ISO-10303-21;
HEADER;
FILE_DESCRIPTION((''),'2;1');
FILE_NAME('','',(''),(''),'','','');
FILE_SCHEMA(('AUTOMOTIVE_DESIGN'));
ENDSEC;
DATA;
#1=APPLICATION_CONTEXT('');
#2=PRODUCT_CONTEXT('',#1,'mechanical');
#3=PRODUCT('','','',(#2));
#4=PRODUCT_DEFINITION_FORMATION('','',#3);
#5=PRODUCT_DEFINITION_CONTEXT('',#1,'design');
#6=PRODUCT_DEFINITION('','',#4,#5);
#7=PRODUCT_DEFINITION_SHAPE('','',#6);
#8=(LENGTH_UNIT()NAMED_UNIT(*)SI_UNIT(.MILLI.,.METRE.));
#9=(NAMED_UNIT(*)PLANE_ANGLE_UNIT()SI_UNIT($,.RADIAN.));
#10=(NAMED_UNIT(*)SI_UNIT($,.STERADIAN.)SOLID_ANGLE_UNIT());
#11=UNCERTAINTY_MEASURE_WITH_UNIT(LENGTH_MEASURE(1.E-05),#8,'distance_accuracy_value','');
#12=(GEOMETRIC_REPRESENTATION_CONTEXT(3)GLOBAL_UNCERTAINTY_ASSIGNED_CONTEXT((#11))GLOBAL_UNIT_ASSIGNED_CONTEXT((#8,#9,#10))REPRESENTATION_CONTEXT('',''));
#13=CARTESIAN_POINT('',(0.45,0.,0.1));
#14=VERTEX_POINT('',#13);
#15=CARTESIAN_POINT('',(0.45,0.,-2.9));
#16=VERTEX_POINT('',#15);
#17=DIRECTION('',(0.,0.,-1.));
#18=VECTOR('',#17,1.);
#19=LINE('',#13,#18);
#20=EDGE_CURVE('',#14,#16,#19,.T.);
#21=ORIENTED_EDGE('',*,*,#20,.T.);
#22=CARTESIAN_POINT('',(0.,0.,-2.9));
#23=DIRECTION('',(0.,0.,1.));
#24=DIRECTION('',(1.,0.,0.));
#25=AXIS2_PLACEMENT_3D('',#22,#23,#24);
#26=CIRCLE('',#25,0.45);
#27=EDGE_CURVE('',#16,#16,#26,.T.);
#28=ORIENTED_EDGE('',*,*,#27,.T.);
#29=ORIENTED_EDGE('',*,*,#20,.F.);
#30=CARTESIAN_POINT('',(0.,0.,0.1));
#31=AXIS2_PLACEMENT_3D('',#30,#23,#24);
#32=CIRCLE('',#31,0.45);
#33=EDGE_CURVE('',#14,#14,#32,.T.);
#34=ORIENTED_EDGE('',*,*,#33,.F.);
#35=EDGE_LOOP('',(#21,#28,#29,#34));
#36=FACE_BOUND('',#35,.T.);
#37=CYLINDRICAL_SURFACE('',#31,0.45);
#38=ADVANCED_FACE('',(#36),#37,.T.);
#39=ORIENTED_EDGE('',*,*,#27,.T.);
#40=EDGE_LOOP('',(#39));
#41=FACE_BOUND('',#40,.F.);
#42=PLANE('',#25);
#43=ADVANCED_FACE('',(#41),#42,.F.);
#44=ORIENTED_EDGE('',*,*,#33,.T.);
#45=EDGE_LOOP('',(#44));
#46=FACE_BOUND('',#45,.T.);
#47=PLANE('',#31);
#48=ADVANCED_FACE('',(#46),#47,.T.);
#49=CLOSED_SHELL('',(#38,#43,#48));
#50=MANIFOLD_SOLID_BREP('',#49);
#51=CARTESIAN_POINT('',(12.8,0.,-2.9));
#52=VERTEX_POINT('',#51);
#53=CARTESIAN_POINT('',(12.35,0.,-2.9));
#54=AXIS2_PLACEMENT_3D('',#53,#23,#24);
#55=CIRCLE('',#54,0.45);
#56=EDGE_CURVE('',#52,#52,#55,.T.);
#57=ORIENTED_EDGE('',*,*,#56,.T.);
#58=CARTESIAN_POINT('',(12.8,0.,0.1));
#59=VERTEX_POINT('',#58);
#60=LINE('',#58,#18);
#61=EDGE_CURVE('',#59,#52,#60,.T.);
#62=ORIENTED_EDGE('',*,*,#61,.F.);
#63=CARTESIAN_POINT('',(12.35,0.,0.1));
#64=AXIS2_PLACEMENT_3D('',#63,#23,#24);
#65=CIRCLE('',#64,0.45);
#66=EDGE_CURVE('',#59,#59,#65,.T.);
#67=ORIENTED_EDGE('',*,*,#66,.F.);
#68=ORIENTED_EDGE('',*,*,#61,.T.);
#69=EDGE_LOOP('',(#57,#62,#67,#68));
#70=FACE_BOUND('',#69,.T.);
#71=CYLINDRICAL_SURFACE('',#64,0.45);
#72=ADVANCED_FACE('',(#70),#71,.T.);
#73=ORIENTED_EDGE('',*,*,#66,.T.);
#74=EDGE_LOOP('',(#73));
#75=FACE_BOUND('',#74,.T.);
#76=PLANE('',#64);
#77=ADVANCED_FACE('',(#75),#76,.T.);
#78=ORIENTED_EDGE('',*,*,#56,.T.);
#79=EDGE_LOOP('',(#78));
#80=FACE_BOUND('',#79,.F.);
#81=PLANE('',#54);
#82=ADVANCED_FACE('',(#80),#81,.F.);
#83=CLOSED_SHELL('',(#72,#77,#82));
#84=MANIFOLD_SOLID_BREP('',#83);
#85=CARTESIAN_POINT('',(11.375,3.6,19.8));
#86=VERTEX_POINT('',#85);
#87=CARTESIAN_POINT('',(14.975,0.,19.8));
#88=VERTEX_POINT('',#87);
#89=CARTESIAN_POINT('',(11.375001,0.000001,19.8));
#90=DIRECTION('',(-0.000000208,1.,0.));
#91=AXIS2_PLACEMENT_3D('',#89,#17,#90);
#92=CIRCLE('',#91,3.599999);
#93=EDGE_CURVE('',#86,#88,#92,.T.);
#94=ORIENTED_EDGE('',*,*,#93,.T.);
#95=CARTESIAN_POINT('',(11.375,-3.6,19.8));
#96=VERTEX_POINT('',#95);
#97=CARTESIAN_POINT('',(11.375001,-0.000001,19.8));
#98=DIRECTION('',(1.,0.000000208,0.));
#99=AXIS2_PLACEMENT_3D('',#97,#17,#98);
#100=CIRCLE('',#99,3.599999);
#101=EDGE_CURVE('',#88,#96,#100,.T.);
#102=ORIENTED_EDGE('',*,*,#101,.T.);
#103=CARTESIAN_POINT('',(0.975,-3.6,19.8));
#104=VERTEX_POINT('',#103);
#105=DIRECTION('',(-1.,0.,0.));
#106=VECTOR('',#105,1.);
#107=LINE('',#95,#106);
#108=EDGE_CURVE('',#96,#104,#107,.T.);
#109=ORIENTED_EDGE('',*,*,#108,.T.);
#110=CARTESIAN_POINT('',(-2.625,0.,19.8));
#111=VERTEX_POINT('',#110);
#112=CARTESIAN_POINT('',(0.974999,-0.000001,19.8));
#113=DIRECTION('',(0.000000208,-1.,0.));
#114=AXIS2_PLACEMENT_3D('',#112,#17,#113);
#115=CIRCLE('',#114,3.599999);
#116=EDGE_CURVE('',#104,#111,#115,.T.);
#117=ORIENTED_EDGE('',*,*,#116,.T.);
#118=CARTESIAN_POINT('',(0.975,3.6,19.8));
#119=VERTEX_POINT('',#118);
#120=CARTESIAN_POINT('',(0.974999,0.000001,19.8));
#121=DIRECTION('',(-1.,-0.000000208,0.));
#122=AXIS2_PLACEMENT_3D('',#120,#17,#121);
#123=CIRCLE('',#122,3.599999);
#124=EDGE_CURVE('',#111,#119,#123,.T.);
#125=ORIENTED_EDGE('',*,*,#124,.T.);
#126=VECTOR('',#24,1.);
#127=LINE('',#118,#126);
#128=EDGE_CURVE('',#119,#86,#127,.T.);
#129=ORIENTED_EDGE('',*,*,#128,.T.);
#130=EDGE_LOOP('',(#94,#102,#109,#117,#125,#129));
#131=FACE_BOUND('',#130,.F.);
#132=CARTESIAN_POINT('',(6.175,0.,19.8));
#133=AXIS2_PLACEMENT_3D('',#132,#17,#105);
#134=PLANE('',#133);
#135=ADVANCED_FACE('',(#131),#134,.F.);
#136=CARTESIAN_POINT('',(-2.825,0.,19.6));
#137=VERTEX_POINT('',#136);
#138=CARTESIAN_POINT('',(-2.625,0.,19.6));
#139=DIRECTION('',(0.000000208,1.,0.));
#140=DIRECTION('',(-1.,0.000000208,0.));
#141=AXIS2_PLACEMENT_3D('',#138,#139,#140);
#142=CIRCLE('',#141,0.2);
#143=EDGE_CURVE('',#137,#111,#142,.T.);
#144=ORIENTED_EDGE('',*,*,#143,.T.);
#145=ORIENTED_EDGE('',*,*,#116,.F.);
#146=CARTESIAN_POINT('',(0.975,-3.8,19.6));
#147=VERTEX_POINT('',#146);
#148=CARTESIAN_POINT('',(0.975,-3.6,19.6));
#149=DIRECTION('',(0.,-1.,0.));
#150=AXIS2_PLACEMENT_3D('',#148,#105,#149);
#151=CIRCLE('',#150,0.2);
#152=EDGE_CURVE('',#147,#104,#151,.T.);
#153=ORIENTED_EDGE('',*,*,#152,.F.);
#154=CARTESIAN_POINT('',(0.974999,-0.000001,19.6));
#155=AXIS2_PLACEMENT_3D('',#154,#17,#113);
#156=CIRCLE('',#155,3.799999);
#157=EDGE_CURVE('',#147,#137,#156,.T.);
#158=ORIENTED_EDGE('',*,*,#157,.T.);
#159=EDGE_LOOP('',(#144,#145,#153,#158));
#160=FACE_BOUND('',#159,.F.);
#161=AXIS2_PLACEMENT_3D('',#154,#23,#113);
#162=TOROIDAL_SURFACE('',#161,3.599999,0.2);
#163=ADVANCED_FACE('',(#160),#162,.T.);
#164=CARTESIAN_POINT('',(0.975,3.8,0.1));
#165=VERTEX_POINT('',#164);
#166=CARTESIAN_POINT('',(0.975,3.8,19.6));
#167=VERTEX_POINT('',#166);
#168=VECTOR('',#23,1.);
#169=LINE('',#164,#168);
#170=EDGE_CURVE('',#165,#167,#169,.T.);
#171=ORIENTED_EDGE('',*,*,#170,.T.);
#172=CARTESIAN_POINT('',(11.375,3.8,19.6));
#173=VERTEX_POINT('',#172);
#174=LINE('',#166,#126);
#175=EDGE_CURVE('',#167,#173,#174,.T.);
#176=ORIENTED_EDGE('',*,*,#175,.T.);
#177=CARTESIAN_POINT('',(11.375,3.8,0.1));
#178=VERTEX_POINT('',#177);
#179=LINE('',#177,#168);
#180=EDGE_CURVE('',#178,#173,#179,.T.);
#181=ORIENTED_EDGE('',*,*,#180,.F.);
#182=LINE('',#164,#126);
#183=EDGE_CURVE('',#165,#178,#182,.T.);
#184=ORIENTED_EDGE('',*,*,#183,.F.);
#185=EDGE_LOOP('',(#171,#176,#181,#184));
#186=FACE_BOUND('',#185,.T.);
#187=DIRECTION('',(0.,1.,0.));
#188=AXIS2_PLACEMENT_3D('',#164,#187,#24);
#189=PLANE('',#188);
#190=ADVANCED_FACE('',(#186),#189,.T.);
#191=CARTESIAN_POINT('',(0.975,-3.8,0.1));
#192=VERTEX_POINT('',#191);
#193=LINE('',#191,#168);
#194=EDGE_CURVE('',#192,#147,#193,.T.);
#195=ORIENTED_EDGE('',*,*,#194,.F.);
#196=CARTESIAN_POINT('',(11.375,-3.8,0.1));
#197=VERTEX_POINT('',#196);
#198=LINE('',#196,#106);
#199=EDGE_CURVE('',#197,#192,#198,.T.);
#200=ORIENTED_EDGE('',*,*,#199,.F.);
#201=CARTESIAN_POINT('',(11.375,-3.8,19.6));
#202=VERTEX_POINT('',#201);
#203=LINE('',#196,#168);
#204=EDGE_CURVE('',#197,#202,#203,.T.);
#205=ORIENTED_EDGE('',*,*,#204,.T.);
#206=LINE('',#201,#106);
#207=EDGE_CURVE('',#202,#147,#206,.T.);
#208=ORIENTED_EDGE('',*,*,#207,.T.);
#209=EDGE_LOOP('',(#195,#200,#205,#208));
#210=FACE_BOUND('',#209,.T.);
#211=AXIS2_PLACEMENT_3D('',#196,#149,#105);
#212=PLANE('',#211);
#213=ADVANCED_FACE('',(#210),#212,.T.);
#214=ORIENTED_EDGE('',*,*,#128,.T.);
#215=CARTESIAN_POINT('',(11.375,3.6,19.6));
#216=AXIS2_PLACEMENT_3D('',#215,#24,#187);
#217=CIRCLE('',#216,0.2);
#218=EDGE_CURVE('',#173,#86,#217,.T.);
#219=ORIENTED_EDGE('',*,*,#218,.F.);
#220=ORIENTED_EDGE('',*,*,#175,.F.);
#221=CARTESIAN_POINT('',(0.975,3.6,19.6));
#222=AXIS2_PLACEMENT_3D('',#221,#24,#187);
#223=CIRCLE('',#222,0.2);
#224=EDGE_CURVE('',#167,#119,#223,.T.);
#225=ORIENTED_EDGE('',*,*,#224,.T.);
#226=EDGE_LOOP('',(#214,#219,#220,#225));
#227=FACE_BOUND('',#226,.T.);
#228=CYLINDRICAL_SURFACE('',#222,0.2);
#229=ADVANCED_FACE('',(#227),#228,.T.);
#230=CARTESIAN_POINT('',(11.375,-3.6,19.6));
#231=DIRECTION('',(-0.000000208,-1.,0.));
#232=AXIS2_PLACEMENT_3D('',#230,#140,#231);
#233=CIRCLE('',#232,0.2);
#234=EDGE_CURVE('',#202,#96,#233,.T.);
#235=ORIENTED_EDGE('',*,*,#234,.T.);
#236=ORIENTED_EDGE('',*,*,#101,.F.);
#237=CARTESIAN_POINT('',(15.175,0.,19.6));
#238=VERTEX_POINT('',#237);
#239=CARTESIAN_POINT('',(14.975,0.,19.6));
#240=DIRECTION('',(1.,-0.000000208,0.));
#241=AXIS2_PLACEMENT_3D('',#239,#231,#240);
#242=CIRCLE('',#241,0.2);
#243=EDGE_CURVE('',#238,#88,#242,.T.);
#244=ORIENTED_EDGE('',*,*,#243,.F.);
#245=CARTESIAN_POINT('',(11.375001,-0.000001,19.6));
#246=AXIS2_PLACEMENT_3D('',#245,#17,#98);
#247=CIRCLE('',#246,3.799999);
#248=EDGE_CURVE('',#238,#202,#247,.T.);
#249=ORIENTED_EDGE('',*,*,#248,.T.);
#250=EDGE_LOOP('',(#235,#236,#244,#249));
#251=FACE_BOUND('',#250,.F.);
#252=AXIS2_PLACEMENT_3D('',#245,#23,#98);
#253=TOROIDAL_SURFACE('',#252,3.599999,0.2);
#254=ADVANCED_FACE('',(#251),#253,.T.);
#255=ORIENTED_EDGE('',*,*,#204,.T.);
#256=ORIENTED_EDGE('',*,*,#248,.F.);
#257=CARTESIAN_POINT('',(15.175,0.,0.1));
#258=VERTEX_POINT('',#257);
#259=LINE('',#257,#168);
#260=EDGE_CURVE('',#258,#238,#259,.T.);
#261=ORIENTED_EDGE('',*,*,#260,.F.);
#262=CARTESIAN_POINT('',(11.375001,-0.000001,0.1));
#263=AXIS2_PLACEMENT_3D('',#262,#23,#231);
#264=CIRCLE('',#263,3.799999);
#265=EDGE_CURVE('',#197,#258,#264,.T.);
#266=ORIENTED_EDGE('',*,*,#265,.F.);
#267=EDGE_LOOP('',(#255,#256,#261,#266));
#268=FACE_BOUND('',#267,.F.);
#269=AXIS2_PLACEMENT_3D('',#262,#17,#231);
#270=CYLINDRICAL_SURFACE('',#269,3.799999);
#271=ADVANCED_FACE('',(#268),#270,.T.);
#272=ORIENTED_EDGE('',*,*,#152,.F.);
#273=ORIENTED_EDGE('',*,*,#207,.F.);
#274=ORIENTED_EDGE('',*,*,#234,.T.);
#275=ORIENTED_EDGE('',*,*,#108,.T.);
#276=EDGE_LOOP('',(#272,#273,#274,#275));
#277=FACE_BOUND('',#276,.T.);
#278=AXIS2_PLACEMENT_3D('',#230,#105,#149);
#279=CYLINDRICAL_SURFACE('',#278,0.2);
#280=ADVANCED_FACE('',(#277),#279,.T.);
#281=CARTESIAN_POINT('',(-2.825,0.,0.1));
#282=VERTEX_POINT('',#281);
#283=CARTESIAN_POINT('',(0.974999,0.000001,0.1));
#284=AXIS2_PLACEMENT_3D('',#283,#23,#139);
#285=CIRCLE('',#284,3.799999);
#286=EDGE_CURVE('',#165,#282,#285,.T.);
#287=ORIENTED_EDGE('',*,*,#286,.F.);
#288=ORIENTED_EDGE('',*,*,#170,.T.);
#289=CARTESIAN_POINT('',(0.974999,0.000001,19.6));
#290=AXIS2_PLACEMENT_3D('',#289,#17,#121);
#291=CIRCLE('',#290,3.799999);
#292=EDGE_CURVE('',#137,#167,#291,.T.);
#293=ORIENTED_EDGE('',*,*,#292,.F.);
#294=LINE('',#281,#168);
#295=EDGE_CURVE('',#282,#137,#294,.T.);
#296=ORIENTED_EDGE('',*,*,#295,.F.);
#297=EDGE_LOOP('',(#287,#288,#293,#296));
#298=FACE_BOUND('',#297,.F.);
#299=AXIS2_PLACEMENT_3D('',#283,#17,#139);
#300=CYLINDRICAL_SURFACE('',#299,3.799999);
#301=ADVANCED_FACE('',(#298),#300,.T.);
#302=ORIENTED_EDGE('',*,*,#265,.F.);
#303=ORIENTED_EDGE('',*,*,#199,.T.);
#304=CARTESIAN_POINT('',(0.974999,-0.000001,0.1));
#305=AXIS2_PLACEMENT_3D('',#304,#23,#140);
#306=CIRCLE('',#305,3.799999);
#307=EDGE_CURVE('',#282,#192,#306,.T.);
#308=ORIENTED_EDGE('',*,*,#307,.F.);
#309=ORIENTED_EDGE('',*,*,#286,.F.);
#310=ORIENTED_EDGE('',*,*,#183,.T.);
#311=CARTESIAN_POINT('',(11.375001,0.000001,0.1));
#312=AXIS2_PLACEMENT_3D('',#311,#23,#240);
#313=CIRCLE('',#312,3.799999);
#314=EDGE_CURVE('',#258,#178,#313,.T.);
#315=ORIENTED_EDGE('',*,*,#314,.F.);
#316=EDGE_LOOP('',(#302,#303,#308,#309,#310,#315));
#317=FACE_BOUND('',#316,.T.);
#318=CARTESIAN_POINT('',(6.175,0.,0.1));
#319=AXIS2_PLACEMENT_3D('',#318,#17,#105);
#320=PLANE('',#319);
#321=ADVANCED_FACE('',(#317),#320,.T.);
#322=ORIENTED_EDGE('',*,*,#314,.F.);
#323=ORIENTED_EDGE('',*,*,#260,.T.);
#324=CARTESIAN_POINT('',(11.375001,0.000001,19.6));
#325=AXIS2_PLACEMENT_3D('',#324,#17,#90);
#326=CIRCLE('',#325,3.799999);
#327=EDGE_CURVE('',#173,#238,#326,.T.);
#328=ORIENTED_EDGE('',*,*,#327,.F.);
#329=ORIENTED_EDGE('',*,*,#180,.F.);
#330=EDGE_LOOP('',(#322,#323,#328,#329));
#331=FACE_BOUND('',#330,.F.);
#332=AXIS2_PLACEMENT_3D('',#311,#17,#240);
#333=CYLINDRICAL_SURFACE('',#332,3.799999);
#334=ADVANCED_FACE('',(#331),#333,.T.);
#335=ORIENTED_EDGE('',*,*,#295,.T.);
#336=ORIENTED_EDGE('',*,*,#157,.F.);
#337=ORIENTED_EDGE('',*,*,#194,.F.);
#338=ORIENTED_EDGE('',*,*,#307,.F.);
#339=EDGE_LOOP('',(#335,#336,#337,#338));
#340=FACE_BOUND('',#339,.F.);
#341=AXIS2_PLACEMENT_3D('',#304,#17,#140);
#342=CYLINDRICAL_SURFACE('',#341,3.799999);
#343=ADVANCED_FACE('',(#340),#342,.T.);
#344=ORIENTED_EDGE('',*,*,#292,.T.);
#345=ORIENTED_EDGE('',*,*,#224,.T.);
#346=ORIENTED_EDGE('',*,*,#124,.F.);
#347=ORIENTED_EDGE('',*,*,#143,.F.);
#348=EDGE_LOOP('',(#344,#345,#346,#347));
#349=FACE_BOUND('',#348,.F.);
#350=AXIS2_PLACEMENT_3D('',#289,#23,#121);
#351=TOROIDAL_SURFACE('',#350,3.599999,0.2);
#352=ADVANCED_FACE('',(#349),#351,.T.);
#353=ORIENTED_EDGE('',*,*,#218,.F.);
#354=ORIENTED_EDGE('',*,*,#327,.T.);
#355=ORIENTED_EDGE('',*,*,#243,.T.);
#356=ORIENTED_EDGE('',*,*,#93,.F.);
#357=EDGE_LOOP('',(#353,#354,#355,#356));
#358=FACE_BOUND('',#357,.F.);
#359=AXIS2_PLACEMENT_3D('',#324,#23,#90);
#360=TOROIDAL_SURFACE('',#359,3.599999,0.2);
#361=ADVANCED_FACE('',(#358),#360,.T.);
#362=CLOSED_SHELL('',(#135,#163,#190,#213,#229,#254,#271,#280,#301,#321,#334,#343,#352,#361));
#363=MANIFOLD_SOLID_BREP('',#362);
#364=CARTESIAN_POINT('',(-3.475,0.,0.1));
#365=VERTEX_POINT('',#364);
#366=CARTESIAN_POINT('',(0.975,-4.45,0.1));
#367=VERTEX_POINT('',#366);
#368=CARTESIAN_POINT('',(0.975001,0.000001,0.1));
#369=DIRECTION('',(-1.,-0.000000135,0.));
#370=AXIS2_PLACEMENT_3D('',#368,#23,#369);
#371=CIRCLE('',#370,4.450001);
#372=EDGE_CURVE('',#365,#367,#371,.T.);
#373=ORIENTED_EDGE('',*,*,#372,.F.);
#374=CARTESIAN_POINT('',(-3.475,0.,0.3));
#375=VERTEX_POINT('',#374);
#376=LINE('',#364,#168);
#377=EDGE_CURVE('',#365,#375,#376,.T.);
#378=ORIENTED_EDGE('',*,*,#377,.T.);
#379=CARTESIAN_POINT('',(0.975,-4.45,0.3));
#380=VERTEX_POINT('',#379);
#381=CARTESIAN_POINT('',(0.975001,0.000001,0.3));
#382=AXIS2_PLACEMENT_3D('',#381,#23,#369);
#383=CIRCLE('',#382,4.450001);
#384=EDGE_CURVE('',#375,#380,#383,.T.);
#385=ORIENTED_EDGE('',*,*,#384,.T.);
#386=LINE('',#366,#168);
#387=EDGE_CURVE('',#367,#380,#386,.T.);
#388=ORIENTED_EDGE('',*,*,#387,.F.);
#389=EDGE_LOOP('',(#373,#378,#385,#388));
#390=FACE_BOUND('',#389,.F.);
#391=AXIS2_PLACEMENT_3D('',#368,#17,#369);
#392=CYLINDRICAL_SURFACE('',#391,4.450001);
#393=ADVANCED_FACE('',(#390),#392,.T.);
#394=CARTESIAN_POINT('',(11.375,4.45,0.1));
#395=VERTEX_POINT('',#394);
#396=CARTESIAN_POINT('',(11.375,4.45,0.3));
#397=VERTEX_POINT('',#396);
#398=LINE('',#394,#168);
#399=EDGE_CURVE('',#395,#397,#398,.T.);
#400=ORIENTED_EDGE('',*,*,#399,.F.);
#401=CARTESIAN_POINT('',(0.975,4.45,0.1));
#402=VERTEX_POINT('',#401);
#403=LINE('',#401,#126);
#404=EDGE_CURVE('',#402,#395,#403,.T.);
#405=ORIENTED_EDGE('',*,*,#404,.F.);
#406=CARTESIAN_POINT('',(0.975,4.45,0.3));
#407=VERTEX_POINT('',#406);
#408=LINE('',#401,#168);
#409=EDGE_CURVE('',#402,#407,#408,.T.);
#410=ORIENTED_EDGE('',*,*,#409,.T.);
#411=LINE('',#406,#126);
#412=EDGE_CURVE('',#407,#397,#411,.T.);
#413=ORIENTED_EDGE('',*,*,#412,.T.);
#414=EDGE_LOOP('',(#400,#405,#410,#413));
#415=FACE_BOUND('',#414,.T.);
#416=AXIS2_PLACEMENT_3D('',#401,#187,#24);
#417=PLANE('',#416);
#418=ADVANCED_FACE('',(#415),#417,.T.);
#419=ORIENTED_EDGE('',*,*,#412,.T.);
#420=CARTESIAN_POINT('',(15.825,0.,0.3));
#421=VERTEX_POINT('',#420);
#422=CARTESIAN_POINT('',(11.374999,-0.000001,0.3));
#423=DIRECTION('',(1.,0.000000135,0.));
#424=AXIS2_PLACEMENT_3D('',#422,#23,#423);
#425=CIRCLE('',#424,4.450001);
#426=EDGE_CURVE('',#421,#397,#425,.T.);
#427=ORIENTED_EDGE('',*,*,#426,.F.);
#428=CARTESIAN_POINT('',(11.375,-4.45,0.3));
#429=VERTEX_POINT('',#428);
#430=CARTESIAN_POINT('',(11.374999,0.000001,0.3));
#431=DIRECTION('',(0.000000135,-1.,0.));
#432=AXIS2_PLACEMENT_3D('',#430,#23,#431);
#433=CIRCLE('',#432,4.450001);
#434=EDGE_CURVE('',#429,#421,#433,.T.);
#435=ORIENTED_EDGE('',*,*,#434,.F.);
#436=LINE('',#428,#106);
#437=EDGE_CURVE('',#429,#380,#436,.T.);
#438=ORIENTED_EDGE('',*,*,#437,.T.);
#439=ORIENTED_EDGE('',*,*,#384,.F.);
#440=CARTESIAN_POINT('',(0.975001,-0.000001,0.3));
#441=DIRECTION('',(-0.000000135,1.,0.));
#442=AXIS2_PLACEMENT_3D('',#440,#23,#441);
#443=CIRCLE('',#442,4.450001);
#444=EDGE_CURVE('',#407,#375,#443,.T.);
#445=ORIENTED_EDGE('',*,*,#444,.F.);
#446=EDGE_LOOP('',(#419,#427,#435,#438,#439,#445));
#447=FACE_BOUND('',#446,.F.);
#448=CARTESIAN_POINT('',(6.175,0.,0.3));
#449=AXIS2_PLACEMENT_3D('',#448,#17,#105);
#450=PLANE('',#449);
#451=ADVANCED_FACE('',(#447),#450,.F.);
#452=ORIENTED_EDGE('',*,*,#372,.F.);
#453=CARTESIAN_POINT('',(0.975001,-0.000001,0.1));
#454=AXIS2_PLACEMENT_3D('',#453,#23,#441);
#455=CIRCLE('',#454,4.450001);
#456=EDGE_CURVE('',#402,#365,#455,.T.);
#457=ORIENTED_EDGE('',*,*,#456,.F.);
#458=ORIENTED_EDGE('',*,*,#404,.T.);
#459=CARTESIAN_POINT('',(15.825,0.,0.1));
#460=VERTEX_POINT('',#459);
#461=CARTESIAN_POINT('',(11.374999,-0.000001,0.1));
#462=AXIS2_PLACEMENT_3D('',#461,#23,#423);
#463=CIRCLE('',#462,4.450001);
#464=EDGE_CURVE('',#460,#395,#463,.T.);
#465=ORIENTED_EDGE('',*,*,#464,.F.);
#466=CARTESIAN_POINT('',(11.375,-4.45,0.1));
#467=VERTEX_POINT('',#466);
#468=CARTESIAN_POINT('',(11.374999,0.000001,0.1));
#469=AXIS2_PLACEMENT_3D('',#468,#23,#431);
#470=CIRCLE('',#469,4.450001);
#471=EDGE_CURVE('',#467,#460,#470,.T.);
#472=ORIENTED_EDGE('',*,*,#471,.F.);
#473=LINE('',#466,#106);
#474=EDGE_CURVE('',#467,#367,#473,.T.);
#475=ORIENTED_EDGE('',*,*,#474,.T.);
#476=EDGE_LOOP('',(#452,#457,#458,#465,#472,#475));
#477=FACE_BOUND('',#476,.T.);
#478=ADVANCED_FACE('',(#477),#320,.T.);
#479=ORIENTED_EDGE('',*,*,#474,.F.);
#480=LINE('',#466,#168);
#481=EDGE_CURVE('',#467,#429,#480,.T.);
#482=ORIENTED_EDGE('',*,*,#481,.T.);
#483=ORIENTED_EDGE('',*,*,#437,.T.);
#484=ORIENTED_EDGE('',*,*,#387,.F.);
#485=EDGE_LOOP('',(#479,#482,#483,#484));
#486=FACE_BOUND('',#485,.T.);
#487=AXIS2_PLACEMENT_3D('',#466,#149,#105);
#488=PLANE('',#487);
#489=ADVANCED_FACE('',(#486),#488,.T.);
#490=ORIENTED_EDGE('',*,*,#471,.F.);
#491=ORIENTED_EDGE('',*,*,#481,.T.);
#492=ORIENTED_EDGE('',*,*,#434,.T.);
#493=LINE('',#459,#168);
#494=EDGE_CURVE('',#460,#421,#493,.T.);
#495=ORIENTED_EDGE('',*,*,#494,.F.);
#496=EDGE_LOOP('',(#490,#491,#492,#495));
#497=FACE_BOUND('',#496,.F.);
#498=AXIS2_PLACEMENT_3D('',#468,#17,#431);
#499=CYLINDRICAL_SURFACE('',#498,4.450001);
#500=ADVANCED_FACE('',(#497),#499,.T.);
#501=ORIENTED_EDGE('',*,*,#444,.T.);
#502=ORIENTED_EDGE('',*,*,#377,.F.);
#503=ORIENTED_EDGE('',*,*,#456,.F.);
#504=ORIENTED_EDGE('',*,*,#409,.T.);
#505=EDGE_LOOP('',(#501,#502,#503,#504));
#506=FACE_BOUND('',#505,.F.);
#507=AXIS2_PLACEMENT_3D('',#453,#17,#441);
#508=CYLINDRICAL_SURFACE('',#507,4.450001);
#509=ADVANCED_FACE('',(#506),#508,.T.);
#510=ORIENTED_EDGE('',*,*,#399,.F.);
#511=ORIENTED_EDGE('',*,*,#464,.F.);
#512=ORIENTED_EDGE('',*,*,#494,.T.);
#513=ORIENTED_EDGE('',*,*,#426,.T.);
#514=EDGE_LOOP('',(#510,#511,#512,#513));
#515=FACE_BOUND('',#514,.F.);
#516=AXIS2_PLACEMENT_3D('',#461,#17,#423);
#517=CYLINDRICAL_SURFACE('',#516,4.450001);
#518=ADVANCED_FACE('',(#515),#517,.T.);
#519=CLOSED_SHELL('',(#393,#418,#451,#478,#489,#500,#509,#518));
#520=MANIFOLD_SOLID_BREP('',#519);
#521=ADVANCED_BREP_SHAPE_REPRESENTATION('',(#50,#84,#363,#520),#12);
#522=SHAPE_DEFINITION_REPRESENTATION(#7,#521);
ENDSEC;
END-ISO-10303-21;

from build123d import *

# Parameters (mm, degrees)
SKETCH_R     = 0.45
PAD_DEPTH    = 3
PAD001_DEPTH = 0.2
PAD002_DEPTH = 19.7
FILLET_R     = 0.2


with BuildPart() as pad:
    # Sketch → Pad (new body)
    with BuildSketch(Plane.XY.offset(0.1)):
        Circle(SKETCH_R)
        with Locations((12.35, 0)):
            Circle(SKETCH_R)
    extrude(amount=-PAD_DEPTH)


with BuildPart() as pad001:
    # Sketch001 → Pad001 (new body)
    with BuildSketch(Plane.XY.offset(0.1)):
        with BuildLine():
            Line((0.975, 4.45), (11.375, 4.45))
            ThreePointArc((15.825, 0), (14.521625, 3.146625), (11.375, 4.45))
            ThreePointArc((11.375, -4.45), (14.521625, -3.146625), (15.825, 0))
            Line((11.375, -4.45), (0.975, -4.45))
            ThreePointArc((-3.475, 0), (-2.171625, -3.146625), (0.975, -4.45))
            ThreePointArc((0.975, 4.45), (-2.171625, 3.146625), (-3.475, 0))
        make_face()
    extrude(amount=PAD001_DEPTH)


with BuildPart() as fillet_body:
    # Sketch003 → Pad002 (new body)
    with BuildSketch(Plane.XY.offset(0.1)):
        with BuildLine():
            Line((0.975, 3.8), (11.375, 3.8))
            ThreePointArc((15.175, 0), (14.062006, 2.687006), (11.375, 3.8))
            ThreePointArc((11.375, -3.8), (14.062006, -2.687006), (15.175, 0))
            Line((11.375, -3.8), (0.975, -3.8))
            ThreePointArc((-2.825, 0), (-1.712006, -2.687006), (0.975, -3.8))
            ThreePointArc((0.975, 3.8), (-1.712006, 2.687006), (-2.825, 0))
        make_face()
    extrude(amount=PAD002_DEPTH)

    # Fillet
    fillet_edges = [fillet_body.edges().sort_by_distance(p)[0] for p in [
        (6.175, 3.8, 19.8),
        (-1.712006, 2.687006, 19.8),
        (-1.712006, -2.687006, 19.8),
        (6.175, -3.8, 19.8),
        (14.062006, -2.687006, 19.8),
        (14.062006, 2.687006, 19.8),
    ]]
    fillet(fillet_edges, radius=FILLET_R)


solid = Compound([pad.part, pad001.part, fillet_body.part])
